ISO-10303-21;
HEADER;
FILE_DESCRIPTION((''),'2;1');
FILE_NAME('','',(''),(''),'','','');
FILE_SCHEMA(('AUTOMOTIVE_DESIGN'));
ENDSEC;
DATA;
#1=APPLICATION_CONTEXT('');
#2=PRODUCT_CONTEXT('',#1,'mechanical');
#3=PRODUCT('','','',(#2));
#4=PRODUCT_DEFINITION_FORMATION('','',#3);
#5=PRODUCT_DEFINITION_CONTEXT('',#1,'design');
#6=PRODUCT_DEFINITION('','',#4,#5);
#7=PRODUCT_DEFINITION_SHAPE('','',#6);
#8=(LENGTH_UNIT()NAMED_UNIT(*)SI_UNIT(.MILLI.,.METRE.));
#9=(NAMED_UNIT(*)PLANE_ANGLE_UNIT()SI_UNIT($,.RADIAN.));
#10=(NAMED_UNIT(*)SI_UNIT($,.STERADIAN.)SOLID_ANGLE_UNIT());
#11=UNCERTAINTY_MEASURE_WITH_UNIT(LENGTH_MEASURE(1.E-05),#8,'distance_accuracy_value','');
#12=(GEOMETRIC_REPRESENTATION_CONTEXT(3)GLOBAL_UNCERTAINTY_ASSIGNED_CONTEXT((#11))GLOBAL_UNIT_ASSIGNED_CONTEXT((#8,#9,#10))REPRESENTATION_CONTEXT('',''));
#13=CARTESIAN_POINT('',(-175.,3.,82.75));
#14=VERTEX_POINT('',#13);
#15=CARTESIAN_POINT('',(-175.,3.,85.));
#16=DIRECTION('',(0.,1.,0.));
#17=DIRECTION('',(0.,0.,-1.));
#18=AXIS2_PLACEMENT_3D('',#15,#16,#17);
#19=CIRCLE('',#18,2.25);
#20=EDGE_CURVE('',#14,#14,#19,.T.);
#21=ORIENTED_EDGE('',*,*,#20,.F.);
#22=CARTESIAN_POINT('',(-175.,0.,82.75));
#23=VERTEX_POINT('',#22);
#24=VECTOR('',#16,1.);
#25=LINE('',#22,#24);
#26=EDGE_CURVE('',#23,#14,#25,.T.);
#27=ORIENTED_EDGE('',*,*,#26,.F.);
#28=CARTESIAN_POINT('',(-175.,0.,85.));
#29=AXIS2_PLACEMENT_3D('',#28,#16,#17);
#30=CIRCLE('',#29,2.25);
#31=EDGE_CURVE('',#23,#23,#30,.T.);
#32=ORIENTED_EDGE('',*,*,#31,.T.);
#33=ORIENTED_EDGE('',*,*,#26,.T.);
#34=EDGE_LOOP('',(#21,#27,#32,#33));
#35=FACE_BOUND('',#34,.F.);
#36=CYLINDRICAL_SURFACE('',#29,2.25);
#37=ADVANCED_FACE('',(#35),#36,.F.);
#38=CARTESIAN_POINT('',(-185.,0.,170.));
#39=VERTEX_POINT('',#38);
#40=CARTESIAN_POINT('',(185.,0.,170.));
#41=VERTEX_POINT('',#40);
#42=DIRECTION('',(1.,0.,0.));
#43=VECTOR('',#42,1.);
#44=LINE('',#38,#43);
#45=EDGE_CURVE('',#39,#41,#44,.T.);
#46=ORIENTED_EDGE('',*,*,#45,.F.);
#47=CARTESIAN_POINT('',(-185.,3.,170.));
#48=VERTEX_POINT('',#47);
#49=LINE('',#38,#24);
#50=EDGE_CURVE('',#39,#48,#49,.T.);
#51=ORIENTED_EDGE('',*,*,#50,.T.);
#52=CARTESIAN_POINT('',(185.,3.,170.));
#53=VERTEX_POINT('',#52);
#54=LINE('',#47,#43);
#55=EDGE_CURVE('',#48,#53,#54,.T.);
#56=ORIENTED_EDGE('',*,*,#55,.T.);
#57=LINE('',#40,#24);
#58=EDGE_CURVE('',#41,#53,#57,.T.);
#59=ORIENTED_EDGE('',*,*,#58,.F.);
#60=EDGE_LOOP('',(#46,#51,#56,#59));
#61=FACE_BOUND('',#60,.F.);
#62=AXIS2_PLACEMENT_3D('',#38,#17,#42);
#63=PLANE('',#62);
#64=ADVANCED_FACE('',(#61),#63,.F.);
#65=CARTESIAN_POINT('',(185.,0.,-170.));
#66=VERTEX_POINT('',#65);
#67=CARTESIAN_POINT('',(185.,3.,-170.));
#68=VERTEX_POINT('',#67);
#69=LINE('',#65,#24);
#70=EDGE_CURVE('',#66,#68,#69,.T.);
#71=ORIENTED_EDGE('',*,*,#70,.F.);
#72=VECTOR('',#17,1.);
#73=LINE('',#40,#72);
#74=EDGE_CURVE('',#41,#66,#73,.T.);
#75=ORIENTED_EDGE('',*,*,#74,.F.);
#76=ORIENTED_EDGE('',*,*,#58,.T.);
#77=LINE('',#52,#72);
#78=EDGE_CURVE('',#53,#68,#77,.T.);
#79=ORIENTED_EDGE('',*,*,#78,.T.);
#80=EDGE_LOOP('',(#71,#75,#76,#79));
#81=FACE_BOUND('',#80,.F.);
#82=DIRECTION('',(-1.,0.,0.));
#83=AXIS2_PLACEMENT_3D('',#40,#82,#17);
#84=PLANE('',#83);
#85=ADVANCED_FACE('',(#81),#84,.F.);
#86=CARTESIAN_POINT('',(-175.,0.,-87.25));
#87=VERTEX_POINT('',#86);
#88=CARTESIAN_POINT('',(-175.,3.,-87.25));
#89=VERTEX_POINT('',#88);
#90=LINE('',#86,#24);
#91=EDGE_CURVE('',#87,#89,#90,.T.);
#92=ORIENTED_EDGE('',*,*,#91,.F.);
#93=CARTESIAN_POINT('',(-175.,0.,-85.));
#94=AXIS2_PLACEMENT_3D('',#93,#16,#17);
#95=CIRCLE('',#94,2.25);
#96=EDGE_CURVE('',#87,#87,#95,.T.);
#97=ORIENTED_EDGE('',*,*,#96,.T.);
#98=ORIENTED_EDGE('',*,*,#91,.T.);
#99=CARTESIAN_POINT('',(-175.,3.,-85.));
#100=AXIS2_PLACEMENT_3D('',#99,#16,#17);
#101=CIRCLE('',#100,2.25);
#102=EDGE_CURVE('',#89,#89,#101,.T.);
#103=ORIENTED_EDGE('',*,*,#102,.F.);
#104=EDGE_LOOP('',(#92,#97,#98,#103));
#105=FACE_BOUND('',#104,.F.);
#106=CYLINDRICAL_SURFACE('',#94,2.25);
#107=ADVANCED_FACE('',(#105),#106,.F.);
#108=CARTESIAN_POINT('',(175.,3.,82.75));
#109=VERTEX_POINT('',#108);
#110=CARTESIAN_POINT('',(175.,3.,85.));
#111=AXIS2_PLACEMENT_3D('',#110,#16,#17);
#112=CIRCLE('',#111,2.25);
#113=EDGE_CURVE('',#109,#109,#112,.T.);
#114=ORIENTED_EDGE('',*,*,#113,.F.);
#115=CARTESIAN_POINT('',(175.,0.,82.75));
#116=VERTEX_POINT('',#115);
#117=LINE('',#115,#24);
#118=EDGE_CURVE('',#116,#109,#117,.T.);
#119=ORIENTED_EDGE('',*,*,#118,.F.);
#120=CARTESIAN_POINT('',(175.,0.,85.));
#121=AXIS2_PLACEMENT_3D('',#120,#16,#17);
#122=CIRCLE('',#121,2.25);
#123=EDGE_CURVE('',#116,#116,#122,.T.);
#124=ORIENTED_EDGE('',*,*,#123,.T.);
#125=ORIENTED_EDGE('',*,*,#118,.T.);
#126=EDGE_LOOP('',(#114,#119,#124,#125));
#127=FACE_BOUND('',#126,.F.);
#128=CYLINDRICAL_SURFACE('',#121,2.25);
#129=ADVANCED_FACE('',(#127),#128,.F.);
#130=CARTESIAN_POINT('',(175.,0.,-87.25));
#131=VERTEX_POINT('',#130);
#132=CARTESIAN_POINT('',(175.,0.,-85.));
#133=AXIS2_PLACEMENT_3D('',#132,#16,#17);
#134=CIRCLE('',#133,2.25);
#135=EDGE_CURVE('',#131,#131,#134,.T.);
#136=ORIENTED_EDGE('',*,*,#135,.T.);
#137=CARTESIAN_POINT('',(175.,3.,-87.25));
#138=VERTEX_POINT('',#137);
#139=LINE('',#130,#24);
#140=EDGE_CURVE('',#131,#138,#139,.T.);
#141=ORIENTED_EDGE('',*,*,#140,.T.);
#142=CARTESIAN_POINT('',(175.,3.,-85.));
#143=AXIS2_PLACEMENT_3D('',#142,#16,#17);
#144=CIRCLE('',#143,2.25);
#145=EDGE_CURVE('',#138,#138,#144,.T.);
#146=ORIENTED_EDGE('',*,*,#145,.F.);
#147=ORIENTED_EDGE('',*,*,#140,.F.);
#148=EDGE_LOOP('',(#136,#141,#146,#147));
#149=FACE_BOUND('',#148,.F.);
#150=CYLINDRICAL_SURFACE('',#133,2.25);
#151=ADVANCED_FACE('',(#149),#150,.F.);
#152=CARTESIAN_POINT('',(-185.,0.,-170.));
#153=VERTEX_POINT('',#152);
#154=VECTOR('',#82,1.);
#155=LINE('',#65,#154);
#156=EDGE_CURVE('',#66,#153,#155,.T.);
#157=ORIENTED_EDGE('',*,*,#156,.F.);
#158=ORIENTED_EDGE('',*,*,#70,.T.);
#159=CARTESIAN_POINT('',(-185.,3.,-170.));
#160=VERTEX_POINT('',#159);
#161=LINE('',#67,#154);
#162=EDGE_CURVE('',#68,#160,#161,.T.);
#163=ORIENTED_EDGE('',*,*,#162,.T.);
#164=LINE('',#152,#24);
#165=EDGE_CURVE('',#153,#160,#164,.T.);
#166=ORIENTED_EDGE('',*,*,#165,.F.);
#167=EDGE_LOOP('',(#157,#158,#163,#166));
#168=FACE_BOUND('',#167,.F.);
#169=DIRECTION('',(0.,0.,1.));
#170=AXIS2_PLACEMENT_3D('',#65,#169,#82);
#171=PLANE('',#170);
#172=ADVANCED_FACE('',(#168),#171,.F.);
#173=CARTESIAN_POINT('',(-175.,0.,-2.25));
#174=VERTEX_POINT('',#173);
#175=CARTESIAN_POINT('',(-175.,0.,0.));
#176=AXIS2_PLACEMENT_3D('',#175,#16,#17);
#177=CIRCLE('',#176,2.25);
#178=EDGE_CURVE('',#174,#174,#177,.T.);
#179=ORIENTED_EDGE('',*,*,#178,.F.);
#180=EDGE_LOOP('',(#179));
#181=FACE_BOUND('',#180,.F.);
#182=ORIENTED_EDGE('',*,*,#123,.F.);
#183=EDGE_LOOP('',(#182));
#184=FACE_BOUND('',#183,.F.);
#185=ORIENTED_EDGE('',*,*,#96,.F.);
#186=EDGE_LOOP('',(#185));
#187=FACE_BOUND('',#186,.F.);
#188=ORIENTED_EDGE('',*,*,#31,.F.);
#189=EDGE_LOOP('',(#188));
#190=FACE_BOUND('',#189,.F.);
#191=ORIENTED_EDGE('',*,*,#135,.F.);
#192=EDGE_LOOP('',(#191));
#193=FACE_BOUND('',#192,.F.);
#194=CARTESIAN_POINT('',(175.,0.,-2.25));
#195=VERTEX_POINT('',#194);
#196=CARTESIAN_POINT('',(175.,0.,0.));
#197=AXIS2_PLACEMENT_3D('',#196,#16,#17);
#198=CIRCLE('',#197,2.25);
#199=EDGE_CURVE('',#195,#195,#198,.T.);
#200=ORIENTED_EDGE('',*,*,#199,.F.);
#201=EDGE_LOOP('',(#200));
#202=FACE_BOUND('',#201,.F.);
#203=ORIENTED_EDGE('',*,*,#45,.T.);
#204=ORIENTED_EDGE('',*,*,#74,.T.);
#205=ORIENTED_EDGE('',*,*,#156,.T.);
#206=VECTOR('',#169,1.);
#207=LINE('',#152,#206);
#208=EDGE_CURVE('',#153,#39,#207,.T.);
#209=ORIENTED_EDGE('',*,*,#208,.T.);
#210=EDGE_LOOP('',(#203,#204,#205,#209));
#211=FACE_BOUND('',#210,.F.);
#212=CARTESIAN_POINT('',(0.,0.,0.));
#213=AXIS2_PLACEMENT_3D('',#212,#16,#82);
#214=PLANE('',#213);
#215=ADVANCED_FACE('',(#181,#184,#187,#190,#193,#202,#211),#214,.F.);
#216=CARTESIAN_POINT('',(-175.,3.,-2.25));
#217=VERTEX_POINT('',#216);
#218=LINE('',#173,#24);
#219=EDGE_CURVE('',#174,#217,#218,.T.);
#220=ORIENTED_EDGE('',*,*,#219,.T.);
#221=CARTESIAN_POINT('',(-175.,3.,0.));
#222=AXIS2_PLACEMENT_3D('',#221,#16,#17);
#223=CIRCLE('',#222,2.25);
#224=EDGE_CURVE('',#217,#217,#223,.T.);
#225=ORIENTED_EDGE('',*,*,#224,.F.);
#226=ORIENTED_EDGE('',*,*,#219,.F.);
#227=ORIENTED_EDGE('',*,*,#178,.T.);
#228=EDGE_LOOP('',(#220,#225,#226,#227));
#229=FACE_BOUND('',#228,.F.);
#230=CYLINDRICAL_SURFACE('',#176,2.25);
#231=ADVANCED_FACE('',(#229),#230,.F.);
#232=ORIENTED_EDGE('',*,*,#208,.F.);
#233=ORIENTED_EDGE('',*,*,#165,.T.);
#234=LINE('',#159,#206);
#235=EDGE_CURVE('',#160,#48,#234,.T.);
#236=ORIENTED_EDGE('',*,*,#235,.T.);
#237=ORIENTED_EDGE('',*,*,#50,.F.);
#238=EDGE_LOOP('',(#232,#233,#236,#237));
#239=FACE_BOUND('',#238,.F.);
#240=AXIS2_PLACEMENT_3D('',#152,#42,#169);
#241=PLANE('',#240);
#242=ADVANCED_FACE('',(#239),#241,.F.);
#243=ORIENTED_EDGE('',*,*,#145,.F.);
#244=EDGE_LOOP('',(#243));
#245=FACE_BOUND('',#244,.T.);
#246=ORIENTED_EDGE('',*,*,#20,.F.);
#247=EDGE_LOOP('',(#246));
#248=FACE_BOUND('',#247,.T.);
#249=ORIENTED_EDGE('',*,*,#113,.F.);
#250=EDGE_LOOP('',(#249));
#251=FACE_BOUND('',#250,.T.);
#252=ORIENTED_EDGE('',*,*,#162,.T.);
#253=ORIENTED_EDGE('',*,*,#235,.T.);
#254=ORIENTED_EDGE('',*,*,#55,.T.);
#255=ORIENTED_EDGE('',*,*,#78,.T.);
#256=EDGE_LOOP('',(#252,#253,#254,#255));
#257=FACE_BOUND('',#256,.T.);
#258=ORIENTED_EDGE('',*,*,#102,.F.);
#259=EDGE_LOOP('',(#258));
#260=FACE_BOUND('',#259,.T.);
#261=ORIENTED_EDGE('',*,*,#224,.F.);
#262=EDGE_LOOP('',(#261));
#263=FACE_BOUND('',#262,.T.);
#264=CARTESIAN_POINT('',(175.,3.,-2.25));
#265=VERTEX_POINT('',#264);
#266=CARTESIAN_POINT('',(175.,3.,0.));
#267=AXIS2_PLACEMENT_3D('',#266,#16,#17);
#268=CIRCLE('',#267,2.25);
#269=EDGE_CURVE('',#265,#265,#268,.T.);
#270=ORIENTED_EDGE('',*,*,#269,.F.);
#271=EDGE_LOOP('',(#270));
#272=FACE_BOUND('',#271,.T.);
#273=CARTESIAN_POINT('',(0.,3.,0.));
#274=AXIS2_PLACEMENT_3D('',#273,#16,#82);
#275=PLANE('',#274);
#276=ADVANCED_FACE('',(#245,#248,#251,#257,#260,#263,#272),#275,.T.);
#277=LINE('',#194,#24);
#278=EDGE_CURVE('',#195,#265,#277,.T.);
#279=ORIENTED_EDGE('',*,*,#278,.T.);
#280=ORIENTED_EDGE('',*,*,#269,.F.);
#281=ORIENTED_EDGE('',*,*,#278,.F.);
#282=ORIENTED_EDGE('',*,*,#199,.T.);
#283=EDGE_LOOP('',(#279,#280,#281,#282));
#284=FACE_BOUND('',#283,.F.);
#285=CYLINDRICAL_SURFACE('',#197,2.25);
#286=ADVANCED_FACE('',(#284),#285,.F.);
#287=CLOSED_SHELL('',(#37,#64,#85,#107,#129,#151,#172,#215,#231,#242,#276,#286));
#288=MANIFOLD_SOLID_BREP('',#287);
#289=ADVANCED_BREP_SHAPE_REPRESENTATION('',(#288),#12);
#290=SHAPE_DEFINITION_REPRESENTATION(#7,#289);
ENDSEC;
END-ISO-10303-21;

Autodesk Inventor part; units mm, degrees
ref_plane "YZ Plane" through (0, 0, 0) normal (1, 0, 0) x (0, 1, 0)
ref_plane "XZ Plane" through (0, 0, 0) normal (0, 1, 0) x (-1, 0, 0)
ref_plane "XY Plane" through (0, 0, 0) normal (0, 0, 1) x (1, 0, 0)
sketch "Sketch1" plane through (0, 0, 0) normal (0, 1, 0) x (-1, 0, 0)
  line L0 (185, 170) -> (-185, 170)
  line L1 (-185, 170) -> (-185, -170)
  line L2 (-185, -170) -> (185, -170)
  line L3 (185, -170) -> (185, 170)
  line L4 (185, 170) -> (-185, -170) construction
  line L5 (-185, 170) -> (185, -170) construction
  point P0 (0, 0)
  dimension "d0" = 340
  dimension "d1" = 370
extrude "Extrusion1" add sketch "Sketch1" along normal blind 3
sketch "Sketch3" plane through (0, 0, 0) normal (0, -1, 0) x (1, 0, 0)
  line L0 (-185, -170) -> (-185, 170) projected
  line L1 (185, -170) -> (-185, -170) projected
  line L2 (-185, 170) -> (185, 170) projected
  point P0 (0, 0)
  point P1 (-175, 0)
  point P2 (-175, -85)
  point P3 (-175, 85)
  point P4 (175, 85)
  point P5 (175, 0)
  point P6 (175, -85)
  dimension "d22" = 10
  dimension "d23" = 170
  dimension "d24" = 10
  dimension "d25" = 85
  dimension "d26" = 10
  dimension "d27" = 85
  dimension "d30" = 360
hole "Hole2" at (-175, 0, 0) at (-175, 0, -85) at (-175, 0, 85) at (175, 0, 85) at (175, 0, 0) at (175, 0, -85) direction (0, 1, 0) diameter 4.5 end through all
equation "\"d24\" = d22"
equation "\"d25\" = 0.5 * d23"
equation "\"d26\" = d22"
equation "\"d27\" = d25"
properties part number "inner_panel"
